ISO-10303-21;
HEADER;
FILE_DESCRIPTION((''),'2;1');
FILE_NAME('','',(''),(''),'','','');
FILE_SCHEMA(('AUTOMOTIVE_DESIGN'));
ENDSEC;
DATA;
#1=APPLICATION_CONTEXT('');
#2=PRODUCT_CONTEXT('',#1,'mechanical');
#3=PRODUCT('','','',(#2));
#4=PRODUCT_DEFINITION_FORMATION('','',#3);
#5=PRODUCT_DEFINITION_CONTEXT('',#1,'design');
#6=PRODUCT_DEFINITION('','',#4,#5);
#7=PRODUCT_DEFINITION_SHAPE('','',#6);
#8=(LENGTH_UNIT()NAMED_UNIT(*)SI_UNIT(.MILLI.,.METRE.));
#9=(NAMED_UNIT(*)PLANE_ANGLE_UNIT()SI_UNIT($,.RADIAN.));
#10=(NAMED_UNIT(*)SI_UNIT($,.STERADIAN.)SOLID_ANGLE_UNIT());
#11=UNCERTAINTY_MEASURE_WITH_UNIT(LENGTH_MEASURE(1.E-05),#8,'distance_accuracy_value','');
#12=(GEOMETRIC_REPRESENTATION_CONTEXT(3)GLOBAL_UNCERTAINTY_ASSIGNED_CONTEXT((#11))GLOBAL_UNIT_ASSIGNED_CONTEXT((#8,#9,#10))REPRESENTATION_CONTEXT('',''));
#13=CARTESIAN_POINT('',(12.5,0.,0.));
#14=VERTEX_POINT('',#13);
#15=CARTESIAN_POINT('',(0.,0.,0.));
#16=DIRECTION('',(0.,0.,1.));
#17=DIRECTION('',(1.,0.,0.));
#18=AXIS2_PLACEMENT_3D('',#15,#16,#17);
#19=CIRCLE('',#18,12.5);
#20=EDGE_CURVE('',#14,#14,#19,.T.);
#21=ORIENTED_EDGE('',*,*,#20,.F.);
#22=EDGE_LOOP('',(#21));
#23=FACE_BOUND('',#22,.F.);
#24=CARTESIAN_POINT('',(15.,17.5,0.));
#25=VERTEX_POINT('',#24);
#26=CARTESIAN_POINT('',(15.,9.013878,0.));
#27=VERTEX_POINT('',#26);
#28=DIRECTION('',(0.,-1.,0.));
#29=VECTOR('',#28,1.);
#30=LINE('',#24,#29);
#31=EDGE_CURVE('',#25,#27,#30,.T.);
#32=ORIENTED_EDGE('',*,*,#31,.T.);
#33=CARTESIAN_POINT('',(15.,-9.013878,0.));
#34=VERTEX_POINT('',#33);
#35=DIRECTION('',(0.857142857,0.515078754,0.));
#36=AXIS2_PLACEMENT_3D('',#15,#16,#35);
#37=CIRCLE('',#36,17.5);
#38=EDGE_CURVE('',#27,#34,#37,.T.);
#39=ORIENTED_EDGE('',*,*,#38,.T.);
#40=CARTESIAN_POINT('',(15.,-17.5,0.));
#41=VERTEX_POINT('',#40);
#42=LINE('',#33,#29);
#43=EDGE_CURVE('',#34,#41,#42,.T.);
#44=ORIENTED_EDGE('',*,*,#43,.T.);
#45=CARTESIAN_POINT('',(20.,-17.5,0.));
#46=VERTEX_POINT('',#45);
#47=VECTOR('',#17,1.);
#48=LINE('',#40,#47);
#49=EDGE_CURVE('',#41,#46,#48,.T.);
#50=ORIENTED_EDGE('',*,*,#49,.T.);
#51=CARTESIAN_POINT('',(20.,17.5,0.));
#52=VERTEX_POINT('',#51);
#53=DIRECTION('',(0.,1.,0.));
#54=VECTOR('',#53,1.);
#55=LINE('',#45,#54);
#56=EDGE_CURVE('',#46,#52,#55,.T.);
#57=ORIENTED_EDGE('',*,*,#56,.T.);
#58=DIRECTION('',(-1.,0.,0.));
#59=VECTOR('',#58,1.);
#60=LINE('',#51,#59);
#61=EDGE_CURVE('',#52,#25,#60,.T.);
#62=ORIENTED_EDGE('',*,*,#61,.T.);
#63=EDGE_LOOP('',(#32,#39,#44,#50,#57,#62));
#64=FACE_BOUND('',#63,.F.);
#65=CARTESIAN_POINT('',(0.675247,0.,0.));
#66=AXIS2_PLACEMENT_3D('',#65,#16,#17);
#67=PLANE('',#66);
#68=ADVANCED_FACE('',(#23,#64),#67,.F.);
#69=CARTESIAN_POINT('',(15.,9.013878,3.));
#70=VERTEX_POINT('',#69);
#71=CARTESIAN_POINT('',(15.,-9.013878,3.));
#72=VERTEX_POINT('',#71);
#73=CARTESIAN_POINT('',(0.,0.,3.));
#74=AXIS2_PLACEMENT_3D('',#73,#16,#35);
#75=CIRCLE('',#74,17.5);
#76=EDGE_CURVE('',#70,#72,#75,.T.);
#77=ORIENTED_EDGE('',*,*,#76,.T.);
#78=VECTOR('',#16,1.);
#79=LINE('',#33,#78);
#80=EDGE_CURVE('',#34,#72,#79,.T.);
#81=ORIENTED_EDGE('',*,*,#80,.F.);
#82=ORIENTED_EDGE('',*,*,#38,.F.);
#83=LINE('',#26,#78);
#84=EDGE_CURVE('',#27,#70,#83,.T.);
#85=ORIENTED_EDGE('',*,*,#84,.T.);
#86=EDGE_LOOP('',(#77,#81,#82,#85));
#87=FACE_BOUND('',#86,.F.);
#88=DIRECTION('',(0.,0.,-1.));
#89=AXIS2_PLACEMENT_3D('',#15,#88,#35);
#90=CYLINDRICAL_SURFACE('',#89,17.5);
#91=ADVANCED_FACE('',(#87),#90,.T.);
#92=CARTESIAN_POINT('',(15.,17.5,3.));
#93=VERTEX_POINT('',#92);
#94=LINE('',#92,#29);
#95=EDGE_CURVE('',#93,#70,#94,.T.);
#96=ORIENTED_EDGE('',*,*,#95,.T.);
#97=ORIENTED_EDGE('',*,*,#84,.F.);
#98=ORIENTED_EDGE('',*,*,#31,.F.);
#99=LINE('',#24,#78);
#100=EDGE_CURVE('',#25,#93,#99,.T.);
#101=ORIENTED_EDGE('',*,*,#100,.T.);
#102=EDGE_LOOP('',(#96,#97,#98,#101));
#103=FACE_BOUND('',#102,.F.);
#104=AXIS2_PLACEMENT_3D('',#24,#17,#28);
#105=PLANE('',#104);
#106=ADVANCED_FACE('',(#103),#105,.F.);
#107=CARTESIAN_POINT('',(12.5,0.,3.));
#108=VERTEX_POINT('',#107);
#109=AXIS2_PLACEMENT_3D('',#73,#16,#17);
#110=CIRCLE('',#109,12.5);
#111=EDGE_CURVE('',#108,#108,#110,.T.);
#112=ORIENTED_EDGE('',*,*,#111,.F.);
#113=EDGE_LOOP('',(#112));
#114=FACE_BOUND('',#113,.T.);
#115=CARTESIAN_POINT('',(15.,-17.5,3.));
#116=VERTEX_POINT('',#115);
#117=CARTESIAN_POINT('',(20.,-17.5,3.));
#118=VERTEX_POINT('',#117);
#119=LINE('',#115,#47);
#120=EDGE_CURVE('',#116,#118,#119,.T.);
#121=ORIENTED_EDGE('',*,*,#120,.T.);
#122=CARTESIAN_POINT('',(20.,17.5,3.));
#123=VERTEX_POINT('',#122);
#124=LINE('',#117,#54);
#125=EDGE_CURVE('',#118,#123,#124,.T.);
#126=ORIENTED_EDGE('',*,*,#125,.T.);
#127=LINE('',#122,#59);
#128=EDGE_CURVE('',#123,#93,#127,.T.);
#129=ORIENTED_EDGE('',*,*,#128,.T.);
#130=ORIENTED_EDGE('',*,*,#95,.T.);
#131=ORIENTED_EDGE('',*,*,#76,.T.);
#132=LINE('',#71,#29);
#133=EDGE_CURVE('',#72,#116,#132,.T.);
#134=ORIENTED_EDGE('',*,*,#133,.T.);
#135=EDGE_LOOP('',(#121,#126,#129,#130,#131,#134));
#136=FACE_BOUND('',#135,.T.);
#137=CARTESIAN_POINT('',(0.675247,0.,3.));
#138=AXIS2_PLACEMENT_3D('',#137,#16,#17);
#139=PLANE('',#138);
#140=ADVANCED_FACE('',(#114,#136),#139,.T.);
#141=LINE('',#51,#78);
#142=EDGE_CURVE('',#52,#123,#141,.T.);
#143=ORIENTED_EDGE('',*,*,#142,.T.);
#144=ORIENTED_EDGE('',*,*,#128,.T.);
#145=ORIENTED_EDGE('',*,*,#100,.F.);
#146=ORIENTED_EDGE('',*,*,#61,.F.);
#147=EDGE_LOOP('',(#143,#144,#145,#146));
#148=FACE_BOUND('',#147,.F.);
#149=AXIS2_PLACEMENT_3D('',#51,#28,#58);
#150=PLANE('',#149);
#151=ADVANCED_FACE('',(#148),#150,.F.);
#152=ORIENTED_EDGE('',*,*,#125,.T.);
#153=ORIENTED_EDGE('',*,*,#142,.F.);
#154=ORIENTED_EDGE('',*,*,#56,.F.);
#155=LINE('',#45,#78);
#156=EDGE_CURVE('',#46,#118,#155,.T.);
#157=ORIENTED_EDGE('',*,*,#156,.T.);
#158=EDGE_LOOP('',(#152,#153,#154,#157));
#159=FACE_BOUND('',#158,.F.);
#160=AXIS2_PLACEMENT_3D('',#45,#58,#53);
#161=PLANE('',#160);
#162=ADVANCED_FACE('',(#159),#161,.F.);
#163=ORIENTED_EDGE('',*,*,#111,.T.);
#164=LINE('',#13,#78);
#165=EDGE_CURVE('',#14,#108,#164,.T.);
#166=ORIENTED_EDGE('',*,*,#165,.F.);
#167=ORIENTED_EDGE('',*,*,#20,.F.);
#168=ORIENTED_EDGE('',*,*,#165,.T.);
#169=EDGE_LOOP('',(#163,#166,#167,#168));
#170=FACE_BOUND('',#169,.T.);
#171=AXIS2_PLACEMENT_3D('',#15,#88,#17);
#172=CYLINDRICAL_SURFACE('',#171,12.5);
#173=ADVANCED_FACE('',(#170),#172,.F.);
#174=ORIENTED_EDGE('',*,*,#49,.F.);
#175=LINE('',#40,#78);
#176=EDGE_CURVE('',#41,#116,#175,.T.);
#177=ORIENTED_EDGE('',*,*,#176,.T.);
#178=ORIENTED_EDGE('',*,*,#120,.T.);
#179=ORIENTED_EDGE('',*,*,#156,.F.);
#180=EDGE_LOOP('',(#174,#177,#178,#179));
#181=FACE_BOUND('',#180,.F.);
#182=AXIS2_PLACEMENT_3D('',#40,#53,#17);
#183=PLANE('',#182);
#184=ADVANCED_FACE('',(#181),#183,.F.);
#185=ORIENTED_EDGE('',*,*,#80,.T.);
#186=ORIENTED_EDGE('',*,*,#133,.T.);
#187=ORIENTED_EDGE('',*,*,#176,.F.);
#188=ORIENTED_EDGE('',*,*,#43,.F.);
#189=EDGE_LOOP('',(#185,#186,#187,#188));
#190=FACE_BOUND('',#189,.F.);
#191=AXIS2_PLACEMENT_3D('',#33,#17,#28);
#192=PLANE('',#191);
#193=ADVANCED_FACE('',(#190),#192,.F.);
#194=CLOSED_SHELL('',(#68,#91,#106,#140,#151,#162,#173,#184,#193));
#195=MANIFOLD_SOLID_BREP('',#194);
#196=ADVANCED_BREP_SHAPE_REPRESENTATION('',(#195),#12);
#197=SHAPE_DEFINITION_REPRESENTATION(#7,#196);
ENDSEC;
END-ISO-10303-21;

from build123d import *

# Parameters (mm, degrees)
F0_R     = 12.5
F1_DEPTH = 3


with BuildPart() as f1:
    # F0 (on Top) → F1 (new body)
    with BuildSketch(Plane.XY):
        with BuildLine():
            Line((15, -9.0138781887), (15, 9.0138781887))
            ThreePointArc((15, 9.0138781887), (-17.5, 0), (15, -9.0138781887))
        make_face()
        Circle(F0_R, mode=Mode.SUBTRACT)
        with BuildLine():
            ThreePointArc((15, -9.0138781887), (16.863421954, -4.6770717335), (17.5, 0))
            ThreePointArc((17.5, 0), (16.863421954, 4.6770717335), (15, 9.0138781887))
            Line((15, 9.0138781887), (15, -9.0138781887))
        make_face()
        with BuildLine():
            ThreePointArc((15, 9.0138781887), (16.863421954, 4.6770717335), (17.5, 0))
            ThreePointArc((17.5, 0), (16.863421954, -4.6770717335), (15, -9.0138781887))
            Line((15, -9.0138781887), (15, -17.5))
            Line((15, -17.5), (20, -17.5))
            Line((20, -17.5), (20, 17.5))
            Line((20, 17.5), (15, 17.5))
            Line((15, 17.5), (15, 9.0138781887))
        make_face()
    extrude(amount=F1_DEPTH)


solid = f1.part
